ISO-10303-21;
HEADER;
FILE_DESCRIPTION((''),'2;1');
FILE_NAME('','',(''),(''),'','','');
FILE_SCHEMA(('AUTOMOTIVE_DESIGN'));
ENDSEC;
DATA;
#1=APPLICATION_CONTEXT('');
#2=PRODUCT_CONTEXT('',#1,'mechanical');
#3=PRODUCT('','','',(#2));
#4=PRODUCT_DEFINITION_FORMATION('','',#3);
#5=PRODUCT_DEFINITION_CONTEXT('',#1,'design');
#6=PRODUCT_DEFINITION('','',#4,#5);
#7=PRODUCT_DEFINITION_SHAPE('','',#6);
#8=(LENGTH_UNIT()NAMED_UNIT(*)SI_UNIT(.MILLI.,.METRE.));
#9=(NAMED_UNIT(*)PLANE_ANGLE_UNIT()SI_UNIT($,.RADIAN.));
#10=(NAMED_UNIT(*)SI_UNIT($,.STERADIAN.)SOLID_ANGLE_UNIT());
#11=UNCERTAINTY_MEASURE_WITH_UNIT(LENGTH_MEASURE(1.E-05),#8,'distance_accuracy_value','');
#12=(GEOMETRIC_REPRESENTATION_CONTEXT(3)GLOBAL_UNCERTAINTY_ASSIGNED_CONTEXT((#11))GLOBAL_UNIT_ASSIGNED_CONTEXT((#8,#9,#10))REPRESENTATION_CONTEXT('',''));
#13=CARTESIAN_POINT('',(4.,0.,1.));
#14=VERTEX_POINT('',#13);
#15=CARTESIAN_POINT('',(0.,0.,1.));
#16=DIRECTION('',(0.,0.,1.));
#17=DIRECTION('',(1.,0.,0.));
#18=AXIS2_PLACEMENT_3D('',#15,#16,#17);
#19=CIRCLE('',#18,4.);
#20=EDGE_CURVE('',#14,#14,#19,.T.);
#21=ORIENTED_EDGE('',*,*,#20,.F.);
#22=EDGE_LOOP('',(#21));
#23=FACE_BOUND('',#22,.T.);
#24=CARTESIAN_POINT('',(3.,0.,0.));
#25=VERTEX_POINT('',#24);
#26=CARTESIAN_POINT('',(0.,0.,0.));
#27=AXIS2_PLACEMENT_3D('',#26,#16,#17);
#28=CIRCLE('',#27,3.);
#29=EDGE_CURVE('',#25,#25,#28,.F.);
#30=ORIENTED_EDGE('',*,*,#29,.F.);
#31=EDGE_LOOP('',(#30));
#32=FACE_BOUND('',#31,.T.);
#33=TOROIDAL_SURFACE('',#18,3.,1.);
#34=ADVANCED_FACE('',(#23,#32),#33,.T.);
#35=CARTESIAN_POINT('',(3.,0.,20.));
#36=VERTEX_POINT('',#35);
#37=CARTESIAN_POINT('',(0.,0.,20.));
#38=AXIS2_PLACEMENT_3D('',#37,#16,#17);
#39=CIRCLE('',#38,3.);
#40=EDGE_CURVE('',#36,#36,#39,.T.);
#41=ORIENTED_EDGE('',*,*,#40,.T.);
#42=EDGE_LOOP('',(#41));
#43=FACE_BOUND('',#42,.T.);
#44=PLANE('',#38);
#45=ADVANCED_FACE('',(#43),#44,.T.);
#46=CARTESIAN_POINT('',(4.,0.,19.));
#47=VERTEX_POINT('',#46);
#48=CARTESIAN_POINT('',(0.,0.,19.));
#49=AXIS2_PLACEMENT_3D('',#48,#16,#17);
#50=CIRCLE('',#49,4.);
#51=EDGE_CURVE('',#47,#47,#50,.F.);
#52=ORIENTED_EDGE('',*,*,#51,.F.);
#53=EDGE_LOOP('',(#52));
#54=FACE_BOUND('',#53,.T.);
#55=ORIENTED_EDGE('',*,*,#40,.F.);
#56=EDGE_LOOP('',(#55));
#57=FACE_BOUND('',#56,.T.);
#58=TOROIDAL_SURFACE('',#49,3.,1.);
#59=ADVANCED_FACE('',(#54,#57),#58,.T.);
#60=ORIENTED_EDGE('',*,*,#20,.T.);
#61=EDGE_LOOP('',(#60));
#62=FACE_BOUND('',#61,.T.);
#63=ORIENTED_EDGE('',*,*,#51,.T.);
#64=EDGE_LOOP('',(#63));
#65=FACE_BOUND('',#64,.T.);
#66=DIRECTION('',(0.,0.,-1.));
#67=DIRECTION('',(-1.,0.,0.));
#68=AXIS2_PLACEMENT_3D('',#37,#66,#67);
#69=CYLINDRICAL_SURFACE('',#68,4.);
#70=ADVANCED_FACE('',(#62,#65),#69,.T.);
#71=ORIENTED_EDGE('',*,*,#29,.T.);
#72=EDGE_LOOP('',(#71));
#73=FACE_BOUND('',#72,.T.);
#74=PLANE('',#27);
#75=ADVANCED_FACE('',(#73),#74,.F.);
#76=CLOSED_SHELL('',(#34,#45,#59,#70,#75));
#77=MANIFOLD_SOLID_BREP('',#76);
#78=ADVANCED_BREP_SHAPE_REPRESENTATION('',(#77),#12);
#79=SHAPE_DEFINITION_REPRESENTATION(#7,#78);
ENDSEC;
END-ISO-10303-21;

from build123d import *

# Parameters (mm, degrees)
ESQUISSE1_R        = 4
BOSS_EXTRU_1_DEPTH = 20
CONG_1_R           = 1


with BuildPart() as part:
    # Esquisse1 → Boss.-Extru.1 (new body)
    with BuildSketch(Plane.XY):
        Circle(ESQUISSE1_R)
    extrude(amount=BOSS_EXTRU_1_DEPTH)

    # Congé1
    cong_1_edges = [part.edges().sort_by_distance(p)[0] for p in [
        (-4, 0, 0),
        (-4, 0, 20),
    ]]
    fillet(cong_1_edges, radius=CONG_1_R)


solid = part.part
